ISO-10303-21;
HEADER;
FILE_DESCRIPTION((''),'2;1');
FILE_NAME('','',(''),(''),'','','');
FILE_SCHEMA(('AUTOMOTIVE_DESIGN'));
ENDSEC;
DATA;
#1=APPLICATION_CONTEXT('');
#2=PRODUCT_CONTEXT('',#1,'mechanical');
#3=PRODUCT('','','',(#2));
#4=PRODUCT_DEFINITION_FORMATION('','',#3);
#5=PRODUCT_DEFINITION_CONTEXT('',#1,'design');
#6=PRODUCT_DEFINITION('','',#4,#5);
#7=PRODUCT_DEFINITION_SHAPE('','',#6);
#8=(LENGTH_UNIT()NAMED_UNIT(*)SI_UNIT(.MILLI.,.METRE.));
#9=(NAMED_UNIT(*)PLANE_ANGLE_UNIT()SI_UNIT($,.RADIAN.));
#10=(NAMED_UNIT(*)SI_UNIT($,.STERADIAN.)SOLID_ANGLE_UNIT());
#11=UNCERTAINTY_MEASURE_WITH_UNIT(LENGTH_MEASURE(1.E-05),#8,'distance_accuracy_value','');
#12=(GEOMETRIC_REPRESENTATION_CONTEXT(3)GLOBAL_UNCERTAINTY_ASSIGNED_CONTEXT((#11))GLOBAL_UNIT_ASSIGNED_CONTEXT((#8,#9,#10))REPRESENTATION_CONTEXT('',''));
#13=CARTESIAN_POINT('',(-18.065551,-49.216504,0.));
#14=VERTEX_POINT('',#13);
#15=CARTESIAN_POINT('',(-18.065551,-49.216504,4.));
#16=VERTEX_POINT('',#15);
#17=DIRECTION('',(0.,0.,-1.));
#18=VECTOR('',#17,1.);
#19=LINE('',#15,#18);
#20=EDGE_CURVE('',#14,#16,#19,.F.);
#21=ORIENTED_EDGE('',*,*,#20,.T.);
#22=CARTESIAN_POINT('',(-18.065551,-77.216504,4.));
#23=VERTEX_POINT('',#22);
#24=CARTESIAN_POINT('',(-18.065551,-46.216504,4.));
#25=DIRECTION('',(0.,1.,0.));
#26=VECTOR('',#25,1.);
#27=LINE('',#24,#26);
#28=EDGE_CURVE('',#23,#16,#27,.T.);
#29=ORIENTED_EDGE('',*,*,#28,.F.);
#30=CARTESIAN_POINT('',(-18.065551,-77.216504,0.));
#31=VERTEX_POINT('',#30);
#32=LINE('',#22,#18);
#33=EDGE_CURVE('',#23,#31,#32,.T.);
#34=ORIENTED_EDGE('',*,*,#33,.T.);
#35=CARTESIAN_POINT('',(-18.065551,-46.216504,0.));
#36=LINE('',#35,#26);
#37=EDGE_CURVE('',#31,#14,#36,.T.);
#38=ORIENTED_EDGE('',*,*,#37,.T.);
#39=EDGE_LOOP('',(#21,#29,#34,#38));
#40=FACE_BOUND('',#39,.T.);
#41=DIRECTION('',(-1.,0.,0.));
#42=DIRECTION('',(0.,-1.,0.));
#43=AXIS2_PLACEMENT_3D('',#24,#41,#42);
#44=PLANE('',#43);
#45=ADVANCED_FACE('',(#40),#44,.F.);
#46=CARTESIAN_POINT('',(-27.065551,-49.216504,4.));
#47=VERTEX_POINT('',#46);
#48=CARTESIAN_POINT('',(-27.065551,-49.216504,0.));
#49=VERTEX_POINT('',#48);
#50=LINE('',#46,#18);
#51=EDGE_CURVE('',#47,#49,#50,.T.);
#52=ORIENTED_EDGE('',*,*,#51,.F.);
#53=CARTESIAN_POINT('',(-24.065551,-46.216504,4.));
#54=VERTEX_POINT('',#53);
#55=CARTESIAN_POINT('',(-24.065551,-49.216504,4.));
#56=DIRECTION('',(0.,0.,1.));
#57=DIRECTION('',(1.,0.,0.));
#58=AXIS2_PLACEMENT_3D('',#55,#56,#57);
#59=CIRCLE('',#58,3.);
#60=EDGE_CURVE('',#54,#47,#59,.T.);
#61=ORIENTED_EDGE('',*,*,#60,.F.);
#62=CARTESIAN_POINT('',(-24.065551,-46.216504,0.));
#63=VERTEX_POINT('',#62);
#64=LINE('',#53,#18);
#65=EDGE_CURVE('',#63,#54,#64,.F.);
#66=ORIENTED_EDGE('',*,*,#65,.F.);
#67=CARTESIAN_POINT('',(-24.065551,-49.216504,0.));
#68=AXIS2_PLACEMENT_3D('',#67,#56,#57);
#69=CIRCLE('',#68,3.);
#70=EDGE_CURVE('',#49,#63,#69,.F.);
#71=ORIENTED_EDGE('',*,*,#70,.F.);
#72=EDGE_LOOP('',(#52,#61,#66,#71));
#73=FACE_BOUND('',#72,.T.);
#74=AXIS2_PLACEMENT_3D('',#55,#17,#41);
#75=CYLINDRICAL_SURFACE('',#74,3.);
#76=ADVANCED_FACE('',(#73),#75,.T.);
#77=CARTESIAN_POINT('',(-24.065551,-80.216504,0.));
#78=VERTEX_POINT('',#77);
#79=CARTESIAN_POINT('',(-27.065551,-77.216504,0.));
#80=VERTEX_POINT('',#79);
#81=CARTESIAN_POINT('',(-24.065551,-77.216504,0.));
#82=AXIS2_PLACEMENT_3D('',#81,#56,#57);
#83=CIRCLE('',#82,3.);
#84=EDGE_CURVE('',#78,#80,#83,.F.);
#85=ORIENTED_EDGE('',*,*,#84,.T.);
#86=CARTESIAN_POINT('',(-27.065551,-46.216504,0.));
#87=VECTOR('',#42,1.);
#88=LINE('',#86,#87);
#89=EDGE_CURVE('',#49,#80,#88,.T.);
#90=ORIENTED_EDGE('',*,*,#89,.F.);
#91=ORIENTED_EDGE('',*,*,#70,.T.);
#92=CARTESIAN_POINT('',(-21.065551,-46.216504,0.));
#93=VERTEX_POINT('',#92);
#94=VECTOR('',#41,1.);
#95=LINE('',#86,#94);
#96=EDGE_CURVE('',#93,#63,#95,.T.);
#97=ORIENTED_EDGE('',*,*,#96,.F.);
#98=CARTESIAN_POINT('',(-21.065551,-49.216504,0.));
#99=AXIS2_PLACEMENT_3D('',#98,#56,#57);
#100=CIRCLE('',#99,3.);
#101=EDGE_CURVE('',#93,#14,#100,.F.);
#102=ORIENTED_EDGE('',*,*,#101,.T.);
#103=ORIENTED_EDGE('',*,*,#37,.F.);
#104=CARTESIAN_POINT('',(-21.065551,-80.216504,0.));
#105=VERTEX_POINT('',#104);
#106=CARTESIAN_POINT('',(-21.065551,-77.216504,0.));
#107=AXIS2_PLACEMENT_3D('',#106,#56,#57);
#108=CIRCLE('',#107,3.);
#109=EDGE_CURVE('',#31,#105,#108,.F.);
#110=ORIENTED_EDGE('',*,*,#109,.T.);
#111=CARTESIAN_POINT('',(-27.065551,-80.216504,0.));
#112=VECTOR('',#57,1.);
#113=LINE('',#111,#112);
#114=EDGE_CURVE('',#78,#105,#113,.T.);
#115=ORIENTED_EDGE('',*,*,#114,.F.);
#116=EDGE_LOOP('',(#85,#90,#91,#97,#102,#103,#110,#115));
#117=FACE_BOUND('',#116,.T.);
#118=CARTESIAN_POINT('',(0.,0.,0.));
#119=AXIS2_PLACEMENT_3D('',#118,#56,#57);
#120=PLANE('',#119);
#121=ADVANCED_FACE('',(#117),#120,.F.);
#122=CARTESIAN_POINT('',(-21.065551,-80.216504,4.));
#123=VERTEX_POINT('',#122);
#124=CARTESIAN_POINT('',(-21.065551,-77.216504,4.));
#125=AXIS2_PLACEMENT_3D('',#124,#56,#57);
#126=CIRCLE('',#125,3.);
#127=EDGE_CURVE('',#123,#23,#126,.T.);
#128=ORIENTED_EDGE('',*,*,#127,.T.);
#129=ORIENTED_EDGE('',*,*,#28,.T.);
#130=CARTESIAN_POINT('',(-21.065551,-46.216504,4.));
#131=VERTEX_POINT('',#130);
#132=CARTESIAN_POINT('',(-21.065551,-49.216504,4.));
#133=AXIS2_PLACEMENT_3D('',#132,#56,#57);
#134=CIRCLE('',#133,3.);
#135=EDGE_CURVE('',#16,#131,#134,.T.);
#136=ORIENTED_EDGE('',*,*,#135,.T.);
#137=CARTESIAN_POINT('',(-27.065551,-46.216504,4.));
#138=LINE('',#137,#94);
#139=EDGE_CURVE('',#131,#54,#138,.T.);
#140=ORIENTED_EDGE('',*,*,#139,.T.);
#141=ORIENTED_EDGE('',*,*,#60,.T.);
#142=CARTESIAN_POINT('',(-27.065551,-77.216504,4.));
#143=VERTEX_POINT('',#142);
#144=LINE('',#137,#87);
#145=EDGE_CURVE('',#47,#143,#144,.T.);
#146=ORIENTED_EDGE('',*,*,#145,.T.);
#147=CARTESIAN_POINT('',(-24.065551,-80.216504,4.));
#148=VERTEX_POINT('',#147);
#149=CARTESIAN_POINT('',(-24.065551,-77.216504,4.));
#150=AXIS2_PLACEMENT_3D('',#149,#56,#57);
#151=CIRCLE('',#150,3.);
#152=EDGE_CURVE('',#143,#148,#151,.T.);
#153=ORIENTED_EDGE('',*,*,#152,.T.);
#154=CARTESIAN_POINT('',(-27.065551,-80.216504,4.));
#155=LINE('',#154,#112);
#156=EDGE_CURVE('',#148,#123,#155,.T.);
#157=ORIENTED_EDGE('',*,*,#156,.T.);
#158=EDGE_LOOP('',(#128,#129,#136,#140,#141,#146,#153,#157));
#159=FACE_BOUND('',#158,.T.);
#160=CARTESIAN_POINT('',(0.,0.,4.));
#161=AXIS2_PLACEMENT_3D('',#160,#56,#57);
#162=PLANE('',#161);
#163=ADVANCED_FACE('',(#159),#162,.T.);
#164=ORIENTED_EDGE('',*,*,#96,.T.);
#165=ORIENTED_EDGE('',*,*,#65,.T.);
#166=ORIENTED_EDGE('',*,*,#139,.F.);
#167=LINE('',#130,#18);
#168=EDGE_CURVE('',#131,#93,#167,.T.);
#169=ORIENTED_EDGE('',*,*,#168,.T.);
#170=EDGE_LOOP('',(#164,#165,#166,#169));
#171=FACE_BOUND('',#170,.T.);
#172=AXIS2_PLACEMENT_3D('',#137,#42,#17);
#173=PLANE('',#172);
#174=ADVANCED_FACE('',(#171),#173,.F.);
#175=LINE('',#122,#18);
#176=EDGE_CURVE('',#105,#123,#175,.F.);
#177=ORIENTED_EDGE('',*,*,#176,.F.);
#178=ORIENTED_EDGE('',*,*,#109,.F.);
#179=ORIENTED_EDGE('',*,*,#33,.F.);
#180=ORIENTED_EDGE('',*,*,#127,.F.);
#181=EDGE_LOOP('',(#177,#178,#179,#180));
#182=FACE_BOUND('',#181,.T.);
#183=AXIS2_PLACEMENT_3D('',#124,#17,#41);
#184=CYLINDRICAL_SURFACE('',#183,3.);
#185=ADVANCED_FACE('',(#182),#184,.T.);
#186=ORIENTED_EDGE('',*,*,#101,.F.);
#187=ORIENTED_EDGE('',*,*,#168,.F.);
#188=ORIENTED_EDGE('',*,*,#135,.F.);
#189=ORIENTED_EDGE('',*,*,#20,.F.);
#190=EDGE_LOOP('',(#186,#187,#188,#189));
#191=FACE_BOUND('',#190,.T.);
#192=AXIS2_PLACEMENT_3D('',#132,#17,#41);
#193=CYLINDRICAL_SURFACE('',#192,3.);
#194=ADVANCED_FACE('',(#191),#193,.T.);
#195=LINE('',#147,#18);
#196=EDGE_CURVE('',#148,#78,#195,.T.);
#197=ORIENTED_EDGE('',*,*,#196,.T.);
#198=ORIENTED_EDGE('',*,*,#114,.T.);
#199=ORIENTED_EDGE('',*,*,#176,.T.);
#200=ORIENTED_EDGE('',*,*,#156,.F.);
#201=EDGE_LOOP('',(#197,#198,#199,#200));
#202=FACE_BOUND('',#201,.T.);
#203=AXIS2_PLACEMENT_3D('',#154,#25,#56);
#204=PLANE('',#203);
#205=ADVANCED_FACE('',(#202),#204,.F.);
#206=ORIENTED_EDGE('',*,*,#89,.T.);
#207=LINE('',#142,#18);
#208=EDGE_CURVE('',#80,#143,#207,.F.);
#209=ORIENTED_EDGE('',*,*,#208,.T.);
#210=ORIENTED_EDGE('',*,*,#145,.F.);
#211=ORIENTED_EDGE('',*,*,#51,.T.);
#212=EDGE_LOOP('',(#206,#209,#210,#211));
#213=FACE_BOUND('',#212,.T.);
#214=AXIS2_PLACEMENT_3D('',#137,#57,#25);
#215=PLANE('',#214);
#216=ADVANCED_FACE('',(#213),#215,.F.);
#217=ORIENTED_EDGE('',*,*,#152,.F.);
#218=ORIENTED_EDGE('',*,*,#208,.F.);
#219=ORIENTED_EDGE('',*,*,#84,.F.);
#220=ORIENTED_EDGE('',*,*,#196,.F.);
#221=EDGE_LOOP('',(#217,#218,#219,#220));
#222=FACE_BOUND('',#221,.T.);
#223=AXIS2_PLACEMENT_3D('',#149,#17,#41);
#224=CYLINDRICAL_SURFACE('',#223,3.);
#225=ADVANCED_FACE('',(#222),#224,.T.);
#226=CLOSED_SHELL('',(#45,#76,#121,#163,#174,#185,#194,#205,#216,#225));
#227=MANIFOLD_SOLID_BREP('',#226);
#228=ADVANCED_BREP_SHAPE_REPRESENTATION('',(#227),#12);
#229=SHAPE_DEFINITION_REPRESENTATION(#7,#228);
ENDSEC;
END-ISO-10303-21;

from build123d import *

# Parameters (mm, degrees)
ESQUISSE1_W        = 9
ESQUISSE1_H        = 34
BOSS_EXTRU_1_DEPTH = 4
CONG_1_R           = 3


with BuildPart() as part:
    # Esquisse1 → Boss.-Extru.1 (new body)
    with BuildSketch(Plane.XY):
        with Locations((-22.565550918, -63.216504065)):
            Rectangle(ESQUISSE1_W, ESQUISSE1_H)
    extrude(amount=BOSS_EXTRU_1_DEPTH)

    # Congé1
    cong_1_edges = [part.edges().sort_by_distance(p)[0] for p in [
        (-27.065550918, -46.216504065, 2),
        (-18.065550918, -46.216504065, 2),
        (-18.065550918, -80.216504065, 2),
        (-27.065550918, -80.216504065, 2),
    ]]
    fillet(cong_1_edges, radius=CONG_1_R)


solid = part.part
